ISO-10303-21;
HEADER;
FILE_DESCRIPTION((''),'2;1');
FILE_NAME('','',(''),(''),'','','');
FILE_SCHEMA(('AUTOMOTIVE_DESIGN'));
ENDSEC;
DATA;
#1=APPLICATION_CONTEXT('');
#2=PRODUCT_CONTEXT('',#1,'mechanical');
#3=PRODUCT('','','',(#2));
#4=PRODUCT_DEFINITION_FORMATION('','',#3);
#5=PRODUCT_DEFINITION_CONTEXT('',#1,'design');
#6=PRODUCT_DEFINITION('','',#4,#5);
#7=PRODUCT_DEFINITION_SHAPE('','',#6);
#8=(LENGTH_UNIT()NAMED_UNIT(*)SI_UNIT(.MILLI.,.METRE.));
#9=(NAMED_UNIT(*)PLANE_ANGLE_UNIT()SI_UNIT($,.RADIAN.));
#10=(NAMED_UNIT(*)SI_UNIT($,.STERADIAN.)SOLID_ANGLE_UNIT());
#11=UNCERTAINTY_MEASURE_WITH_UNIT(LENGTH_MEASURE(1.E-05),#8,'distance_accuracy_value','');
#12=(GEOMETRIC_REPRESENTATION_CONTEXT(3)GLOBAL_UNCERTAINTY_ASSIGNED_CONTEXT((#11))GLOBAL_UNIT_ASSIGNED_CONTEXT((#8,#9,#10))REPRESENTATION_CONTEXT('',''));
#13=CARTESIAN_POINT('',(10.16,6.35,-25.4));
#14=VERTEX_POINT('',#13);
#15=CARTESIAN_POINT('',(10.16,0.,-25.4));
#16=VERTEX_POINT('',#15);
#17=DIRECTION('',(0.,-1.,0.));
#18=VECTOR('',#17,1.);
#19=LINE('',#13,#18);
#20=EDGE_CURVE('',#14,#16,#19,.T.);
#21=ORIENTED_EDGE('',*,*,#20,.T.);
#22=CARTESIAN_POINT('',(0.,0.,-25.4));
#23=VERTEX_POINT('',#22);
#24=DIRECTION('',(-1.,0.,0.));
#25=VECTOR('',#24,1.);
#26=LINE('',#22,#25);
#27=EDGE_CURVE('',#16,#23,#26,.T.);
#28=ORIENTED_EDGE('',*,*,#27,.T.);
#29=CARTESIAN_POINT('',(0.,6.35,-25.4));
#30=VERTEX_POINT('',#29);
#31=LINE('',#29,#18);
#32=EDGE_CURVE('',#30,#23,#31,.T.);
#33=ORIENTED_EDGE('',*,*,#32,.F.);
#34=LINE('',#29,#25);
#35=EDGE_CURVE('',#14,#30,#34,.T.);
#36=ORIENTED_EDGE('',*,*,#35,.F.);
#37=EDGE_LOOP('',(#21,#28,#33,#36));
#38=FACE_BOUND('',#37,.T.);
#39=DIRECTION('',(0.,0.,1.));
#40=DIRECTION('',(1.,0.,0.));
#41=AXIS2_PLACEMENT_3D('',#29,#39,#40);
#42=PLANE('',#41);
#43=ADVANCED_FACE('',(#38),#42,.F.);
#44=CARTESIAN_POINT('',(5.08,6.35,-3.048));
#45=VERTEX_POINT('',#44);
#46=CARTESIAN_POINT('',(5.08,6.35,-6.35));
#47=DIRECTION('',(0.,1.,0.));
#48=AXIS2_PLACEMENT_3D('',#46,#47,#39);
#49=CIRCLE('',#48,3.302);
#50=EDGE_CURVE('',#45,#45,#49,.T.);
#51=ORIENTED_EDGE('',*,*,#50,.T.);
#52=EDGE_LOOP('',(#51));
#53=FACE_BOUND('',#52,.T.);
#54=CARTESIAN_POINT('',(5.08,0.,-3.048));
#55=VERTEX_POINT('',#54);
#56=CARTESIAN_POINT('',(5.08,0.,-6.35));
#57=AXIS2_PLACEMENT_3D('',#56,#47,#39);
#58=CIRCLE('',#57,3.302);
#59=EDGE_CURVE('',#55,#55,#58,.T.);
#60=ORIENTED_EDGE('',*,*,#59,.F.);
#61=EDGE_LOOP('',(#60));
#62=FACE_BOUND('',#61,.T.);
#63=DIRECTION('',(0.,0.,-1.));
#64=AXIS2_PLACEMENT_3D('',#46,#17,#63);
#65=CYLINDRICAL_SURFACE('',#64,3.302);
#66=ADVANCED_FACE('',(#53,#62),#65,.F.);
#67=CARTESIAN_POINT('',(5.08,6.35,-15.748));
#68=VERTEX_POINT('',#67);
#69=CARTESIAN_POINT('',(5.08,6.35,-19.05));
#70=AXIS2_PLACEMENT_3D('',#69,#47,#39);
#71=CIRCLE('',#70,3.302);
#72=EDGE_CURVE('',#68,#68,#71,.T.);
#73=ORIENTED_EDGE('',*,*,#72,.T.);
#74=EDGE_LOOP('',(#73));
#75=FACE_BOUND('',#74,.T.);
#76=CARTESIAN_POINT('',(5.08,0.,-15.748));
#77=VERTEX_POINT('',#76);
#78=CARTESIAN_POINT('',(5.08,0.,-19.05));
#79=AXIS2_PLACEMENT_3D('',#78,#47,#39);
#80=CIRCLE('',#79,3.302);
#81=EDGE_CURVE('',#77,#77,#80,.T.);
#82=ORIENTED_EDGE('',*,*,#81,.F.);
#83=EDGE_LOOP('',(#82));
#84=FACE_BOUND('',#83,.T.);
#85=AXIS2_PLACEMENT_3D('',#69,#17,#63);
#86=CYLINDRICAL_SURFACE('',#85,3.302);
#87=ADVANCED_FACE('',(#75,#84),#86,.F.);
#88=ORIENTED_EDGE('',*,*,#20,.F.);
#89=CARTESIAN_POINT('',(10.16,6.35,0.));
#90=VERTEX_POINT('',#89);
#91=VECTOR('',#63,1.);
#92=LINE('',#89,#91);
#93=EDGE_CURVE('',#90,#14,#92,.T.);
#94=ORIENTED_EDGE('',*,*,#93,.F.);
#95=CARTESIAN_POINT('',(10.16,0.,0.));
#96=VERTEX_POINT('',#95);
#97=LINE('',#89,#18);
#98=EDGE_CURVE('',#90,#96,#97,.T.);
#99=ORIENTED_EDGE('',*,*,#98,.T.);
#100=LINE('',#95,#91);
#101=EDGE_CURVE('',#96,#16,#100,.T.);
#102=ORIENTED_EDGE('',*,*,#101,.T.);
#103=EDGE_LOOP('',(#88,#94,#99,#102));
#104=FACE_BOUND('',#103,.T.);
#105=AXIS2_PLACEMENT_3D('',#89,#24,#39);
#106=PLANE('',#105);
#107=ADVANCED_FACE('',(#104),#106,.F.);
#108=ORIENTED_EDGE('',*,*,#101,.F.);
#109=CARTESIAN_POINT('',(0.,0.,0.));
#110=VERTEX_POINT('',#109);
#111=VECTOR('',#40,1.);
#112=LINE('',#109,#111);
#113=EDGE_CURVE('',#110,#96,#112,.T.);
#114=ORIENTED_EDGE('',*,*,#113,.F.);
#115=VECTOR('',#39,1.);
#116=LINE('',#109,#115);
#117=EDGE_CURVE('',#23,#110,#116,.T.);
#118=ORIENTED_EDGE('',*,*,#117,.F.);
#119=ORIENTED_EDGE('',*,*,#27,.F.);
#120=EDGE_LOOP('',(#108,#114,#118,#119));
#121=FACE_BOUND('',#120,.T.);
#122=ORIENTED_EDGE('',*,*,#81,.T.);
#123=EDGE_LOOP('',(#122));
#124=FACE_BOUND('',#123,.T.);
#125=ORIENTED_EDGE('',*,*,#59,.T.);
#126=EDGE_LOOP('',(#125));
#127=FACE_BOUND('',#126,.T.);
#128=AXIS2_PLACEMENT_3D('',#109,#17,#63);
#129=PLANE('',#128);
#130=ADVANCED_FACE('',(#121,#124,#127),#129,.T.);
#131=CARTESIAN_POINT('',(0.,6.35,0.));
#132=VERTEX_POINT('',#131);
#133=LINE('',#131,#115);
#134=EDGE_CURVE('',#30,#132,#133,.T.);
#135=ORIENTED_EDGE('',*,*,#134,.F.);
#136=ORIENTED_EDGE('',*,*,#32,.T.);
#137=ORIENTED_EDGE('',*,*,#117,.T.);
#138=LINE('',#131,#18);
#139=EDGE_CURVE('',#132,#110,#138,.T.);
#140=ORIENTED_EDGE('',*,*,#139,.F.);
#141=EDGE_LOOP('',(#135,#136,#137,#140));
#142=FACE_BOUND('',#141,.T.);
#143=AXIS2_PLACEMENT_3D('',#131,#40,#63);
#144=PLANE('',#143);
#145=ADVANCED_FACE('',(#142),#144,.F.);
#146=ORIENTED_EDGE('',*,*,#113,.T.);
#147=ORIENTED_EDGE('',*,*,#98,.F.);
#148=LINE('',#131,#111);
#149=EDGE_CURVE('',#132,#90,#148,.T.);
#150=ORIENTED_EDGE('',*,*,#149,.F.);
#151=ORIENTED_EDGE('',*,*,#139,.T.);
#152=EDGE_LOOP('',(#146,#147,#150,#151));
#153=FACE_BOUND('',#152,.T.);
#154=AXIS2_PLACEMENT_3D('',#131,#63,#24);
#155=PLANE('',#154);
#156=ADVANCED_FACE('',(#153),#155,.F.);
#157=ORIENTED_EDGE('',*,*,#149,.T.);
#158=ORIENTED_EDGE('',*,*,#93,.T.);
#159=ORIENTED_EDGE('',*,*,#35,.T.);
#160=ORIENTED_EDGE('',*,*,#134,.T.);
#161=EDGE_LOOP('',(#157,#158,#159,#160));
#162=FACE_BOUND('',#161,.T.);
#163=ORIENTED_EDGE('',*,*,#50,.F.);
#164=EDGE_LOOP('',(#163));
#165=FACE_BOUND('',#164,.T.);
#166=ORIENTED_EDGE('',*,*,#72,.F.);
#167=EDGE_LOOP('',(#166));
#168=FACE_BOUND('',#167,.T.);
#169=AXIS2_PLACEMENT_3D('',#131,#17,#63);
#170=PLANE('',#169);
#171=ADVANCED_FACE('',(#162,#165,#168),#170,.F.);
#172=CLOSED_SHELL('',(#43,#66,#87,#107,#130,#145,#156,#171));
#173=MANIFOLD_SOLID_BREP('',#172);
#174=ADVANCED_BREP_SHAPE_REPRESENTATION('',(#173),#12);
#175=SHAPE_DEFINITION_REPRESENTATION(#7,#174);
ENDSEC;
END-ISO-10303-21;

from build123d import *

# Parameters (mm, degrees)
SKETCH1_W           = 10.16
SKETCH1_H           = 25.4
SKETCH1_R           = 3.302
BOSS_EXTRUDE1_DEPTH = 6.35


with BuildPart() as part:
    # Sketch1 → Boss-Extrude1 (new body)
    with BuildSketch(Plane(origin=(0, 0, 0), x_dir=(1, 0, 0), z_dir=(0, 1, 0))):
        with Locations((5.08, 12.7)):
            Rectangle(SKETCH1_W, SKETCH1_H)
        with Locations(Location((5.08, 6.35, 0), (0, 0, 270))):
            Circle(SKETCH1_R, mode=Mode.SUBTRACT)
        with Locations(Location((5.08, 19.05, 0), (0, 0, 270))):
            Circle(SKETCH1_R, mode=Mode.SUBTRACT)
    extrude(amount=BOSS_EXTRUDE1_DEPTH)


solid = part.part
